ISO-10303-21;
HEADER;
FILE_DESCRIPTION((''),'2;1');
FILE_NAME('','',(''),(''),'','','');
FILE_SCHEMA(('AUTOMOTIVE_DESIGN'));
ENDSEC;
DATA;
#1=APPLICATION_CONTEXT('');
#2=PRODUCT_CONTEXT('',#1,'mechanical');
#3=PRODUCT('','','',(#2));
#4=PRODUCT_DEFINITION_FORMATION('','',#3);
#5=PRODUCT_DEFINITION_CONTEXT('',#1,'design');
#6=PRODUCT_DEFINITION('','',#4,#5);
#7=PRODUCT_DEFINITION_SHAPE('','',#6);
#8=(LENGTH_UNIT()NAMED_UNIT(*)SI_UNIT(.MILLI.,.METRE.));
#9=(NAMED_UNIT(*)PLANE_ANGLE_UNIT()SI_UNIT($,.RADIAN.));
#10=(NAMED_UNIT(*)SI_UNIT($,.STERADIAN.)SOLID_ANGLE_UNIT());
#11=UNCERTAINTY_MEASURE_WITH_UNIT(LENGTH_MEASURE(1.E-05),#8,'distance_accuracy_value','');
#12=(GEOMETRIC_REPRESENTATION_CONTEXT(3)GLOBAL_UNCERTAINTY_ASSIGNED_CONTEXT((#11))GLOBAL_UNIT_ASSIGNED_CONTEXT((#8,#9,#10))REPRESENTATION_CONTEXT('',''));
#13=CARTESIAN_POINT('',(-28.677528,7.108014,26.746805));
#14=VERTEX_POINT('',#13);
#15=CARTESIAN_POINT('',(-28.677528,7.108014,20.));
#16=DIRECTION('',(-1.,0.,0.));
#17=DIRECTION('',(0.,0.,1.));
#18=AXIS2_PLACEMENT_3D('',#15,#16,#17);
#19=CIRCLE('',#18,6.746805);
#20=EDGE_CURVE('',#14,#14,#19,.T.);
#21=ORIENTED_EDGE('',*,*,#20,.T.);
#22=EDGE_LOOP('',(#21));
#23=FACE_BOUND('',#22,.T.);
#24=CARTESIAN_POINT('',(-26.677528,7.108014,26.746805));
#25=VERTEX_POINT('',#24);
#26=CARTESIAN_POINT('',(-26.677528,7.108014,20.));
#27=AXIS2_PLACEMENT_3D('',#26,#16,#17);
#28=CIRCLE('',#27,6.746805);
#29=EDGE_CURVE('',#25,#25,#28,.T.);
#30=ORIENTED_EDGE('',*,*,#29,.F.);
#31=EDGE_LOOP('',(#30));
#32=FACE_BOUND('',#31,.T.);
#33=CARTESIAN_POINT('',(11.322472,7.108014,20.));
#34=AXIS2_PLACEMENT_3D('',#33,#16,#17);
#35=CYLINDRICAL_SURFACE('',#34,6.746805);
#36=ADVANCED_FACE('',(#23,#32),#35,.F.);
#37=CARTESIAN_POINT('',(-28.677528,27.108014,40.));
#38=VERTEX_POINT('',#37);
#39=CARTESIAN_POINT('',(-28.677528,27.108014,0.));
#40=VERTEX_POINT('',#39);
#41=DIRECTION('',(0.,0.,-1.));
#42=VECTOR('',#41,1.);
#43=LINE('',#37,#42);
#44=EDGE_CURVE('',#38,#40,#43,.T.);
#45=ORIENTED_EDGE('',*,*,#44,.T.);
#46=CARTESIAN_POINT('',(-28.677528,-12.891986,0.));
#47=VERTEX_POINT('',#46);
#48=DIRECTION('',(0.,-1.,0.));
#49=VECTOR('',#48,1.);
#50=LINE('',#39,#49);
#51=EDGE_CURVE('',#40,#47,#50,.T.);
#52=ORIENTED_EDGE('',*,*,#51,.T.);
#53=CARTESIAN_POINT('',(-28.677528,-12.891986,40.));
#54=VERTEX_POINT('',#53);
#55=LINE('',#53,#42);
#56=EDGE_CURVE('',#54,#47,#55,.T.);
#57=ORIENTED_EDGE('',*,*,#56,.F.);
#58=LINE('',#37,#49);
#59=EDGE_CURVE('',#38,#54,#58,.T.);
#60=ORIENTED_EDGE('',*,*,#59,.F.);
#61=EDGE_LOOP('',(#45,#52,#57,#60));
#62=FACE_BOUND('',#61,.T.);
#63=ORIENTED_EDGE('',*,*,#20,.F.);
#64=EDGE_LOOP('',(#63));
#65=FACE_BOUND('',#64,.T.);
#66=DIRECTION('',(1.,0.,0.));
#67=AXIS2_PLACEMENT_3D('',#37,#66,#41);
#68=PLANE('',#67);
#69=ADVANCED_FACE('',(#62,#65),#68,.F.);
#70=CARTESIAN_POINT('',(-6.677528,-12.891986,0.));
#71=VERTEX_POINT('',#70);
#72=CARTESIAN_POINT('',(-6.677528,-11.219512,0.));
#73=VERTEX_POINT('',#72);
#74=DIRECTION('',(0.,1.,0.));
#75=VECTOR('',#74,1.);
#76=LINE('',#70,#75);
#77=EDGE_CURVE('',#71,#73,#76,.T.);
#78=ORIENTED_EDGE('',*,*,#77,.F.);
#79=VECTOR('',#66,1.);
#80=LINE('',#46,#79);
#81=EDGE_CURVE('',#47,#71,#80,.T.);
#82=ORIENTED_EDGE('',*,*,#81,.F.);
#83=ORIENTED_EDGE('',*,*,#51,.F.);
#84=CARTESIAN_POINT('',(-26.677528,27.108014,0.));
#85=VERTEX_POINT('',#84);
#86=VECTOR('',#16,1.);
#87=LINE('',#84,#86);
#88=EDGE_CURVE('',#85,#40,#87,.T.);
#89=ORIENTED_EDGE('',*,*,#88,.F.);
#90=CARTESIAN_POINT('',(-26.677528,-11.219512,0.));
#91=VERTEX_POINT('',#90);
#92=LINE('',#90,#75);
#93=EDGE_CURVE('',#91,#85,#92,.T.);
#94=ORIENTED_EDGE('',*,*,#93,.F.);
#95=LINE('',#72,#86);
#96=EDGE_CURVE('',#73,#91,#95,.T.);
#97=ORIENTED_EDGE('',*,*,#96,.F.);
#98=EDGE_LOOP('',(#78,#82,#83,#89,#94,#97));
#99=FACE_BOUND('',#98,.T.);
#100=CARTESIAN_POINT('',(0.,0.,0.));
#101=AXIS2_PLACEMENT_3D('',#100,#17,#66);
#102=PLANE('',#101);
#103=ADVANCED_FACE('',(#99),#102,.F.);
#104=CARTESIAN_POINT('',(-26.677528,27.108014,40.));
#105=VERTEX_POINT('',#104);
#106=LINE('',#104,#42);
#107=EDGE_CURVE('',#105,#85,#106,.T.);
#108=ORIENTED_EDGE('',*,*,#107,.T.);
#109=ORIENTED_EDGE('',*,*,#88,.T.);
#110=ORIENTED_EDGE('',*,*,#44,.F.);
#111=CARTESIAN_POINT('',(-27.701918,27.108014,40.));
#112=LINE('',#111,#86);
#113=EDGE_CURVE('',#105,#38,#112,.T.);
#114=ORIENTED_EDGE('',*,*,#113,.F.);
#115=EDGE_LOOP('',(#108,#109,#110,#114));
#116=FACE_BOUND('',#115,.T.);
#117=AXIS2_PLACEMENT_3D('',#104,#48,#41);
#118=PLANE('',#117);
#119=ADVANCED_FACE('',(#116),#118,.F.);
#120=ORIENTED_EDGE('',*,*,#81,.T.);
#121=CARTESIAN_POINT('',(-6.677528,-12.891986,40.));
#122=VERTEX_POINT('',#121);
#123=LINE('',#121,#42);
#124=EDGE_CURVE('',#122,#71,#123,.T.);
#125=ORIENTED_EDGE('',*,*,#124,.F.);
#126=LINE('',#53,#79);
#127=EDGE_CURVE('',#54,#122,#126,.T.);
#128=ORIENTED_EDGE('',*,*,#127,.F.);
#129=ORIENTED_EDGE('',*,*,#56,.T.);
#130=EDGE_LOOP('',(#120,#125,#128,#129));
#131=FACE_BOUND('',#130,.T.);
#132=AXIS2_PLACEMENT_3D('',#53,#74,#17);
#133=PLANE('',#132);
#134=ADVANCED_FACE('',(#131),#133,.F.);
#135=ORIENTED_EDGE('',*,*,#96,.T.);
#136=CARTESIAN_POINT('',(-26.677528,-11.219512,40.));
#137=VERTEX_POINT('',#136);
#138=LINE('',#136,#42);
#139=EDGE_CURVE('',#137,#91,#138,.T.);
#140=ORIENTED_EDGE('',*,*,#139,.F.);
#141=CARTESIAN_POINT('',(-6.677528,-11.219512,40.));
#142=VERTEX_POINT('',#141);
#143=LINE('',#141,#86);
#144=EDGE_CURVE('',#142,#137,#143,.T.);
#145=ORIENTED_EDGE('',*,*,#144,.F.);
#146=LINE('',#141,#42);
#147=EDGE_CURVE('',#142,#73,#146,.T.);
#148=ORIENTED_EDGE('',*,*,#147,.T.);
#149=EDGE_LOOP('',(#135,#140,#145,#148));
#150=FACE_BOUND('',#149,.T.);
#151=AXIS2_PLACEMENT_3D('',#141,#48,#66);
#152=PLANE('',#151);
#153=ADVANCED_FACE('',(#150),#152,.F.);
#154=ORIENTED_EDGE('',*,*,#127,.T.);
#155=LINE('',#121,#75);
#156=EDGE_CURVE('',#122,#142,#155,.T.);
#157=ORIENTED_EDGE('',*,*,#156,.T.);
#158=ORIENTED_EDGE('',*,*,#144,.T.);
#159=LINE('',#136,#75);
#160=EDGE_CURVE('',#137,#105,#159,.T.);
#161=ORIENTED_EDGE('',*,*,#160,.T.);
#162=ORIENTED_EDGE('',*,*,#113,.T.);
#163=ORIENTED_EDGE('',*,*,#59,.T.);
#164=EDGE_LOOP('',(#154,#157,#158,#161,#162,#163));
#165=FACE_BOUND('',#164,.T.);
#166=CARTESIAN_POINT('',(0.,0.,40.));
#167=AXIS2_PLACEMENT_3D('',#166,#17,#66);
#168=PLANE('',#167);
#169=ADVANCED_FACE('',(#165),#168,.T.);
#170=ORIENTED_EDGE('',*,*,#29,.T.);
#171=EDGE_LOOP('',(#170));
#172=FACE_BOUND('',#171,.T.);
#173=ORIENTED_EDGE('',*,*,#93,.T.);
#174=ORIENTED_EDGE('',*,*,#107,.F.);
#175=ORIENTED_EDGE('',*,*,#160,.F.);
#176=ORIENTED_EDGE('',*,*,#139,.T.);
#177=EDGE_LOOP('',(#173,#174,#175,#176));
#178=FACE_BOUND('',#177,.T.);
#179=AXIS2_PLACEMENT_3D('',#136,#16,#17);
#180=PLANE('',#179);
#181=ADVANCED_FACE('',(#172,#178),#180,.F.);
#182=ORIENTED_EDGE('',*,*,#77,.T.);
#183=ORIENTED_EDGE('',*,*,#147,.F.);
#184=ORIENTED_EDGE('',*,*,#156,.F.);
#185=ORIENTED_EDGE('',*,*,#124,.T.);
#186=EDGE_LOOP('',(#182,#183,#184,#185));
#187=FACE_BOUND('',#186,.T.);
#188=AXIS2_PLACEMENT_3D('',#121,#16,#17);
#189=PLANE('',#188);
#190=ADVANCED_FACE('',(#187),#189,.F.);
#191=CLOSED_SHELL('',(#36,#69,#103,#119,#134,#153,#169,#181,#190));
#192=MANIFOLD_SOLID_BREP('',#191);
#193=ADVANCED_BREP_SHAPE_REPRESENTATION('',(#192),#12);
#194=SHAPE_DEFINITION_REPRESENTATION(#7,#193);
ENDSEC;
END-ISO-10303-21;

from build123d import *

# Parameters (mm, degrees)
BOSS_EXTRUDE1_DEPTH = 40
SKETCH2_R           = 6.746805348
CUT_EXTRUDE1_DEPTH  = 40


with BuildPart() as part:
    # Sketch1 → Boss-Extrude1 (new body)
    with BuildSketch(Plane.XY):
        Polygon((-28.677527702, 27.108013937), (-28.677527702, -12.891986063), (-6.677527702, -12.891986063), (-6.677527702, -11.219512195), (-26.677527702, -11.219512195), (-26.677527702, 27.108013937), (-27.701917946, 27.108013937), align=None)
    extrude(amount=BOSS_EXTRUDE1_DEPTH)

    # Sketch2 → Cut-Extrude1 (cut)
    with BuildSketch(Plane.ZY.offset(28.677527702)):
        with Locations((20, 7.108013937)):
            Circle(SKETCH2_R)
    extrude(amount=-CUT_EXTRUDE1_DEPTH, mode=Mode.SUBTRACT)


solid = part.part
